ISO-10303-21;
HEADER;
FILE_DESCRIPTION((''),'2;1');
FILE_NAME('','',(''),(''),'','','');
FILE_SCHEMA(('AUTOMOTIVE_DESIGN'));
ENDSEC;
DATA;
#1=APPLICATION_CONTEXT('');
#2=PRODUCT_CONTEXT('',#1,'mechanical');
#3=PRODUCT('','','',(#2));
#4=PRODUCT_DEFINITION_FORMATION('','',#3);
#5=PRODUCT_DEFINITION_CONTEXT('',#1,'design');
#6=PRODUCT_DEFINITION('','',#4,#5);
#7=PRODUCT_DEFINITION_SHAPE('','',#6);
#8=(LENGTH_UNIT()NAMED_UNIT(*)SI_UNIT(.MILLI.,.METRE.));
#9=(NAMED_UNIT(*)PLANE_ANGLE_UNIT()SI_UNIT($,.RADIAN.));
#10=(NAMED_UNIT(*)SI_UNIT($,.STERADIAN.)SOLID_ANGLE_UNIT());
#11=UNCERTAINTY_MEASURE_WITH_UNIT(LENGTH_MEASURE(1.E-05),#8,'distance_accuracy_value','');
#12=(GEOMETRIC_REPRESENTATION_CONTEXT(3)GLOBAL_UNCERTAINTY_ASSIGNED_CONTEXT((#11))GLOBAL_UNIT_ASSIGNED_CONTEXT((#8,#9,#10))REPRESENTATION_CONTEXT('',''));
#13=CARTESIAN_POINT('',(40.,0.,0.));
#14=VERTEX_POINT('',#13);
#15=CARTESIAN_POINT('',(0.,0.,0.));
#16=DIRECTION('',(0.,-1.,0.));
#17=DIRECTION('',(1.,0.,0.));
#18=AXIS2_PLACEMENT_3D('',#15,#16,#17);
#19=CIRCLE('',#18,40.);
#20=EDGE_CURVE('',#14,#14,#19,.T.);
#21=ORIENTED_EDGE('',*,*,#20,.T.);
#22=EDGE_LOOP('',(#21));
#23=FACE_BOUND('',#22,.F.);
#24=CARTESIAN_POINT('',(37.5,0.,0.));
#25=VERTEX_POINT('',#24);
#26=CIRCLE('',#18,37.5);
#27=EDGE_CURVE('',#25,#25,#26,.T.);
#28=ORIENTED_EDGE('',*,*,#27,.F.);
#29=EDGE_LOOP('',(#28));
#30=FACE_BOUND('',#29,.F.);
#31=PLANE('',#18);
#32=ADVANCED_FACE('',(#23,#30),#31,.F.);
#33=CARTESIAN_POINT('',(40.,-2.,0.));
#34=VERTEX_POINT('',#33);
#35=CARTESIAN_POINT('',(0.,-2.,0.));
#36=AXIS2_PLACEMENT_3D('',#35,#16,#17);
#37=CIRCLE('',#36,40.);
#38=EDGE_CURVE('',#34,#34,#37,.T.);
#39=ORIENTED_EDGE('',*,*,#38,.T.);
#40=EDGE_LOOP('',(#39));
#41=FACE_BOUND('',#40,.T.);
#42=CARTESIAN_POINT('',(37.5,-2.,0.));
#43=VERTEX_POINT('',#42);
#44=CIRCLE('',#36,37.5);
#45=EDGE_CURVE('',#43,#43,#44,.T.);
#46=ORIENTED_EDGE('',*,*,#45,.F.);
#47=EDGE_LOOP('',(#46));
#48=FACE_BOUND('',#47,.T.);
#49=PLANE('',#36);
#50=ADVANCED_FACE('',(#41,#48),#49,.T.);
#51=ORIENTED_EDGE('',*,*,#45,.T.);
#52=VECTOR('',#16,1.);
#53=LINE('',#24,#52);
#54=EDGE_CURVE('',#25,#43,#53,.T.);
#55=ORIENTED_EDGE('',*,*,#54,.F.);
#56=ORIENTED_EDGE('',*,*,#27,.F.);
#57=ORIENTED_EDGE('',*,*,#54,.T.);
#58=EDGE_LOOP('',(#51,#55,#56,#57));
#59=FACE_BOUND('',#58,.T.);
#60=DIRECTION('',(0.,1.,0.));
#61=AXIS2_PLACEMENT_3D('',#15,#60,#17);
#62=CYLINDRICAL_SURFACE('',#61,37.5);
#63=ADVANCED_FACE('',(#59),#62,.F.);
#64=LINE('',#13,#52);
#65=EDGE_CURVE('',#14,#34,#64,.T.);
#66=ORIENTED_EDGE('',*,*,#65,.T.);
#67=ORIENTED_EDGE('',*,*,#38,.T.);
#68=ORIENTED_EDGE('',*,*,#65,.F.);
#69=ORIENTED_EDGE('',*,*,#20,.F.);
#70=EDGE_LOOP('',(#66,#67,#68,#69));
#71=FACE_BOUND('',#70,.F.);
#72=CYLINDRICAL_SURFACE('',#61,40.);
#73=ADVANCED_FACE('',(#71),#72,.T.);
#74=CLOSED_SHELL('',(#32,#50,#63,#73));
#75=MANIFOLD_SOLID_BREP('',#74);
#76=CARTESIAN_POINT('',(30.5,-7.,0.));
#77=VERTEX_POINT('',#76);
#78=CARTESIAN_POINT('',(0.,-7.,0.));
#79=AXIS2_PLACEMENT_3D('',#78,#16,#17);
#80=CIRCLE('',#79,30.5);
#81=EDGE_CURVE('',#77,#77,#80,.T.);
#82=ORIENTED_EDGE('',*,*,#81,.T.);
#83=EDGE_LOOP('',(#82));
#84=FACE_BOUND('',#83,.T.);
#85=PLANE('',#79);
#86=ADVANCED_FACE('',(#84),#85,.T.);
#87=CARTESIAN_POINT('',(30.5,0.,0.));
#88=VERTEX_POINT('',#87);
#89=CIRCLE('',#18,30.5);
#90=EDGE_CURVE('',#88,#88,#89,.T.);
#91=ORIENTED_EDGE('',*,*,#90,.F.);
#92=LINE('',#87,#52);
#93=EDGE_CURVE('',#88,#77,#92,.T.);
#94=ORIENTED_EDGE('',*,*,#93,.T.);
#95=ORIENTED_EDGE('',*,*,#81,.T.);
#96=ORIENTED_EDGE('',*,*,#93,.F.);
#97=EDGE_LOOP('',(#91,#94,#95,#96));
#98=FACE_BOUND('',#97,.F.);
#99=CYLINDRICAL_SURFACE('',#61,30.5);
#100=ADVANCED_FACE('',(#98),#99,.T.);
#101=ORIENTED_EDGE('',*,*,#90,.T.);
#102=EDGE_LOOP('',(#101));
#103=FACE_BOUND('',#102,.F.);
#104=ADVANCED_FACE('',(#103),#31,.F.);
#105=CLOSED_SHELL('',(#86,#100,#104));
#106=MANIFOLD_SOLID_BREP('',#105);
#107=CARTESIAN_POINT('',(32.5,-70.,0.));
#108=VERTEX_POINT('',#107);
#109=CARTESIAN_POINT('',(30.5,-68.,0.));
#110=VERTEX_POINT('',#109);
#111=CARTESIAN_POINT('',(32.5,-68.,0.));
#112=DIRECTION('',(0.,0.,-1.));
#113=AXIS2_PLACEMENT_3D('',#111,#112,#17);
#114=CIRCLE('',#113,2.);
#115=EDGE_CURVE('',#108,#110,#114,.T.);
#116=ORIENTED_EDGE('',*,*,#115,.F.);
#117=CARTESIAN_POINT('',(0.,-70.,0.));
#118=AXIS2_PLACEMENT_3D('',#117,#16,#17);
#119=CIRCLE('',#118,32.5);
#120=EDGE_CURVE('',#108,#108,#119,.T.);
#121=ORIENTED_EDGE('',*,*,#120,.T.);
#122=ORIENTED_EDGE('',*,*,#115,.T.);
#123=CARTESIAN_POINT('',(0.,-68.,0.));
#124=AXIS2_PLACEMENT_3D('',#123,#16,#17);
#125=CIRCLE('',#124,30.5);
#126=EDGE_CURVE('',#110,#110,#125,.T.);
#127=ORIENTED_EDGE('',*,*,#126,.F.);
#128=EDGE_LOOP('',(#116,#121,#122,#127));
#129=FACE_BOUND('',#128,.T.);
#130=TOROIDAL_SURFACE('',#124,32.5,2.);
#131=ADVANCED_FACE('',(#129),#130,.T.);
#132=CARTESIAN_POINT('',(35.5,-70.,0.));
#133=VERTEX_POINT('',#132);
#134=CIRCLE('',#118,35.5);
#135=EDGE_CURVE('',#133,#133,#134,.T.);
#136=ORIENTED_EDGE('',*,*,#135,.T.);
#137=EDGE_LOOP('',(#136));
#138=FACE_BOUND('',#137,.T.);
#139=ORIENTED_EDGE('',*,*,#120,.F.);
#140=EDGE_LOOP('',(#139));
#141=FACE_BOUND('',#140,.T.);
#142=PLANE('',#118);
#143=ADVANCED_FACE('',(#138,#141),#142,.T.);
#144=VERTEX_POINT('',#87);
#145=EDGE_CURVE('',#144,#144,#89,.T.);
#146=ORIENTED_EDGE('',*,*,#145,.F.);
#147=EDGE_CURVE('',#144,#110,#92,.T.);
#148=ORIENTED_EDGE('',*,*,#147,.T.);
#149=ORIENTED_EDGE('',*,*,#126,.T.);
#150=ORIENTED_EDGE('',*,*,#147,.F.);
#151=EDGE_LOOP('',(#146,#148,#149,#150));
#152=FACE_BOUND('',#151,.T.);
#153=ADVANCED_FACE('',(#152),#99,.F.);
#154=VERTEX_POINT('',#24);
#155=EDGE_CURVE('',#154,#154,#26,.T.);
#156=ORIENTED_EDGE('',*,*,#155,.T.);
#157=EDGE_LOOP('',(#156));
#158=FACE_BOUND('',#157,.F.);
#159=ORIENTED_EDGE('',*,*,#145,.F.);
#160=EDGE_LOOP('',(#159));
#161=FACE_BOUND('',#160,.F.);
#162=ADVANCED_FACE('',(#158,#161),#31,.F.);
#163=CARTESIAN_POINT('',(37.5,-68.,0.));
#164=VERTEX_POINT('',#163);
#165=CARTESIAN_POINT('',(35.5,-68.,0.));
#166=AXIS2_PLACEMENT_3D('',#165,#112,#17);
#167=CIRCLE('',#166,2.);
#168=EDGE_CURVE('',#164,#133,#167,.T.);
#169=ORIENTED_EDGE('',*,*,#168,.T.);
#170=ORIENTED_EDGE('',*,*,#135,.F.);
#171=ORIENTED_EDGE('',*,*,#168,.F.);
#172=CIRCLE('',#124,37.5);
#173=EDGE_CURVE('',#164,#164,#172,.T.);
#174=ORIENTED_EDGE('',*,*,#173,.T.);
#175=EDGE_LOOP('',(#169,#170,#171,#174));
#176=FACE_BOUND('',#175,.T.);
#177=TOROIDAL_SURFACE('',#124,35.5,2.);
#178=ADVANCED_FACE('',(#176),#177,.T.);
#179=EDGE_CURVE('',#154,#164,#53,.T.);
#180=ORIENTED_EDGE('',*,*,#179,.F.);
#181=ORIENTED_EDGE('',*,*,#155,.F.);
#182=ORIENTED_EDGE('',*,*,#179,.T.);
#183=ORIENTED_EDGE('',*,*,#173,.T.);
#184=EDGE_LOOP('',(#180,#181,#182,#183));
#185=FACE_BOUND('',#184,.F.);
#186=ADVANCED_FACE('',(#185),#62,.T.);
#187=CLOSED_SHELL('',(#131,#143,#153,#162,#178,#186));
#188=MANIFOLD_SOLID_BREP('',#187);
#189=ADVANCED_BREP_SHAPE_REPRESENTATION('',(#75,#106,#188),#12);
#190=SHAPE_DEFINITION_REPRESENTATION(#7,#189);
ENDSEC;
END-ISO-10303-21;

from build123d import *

# Parameters (mm, degrees)
F0_R     = 40
F0_R_2   = 37.5
F1_DEPTH = 2
F0_R_3   = 30.5
F2_DEPTH = 7
F3_DEPTH = 70
F4_R     = 2
F5_R     = 2


with BuildPart() as f1:
    # F0 (on Front) → F1 (new body)
    with BuildSketch(Plane.XZ):
        Circle(F0_R)
        Circle(F0_R_2, mode=Mode.SUBTRACT)
    extrude(amount=F1_DEPTH)


with BuildPart() as f2:
    # F0 (on Front) → F2 (new body)
    with BuildSketch(Plane.XZ):
        Circle(F0_R_3)
    extrude(amount=F2_DEPTH)


with BuildPart() as f3:
    # F0 (on Front) → F3 (new body)
    with BuildSketch(Plane.XZ):
        Circle(F0_R_2)
        Circle(F0_R_3, mode=Mode.SUBTRACT)
    extrude(amount=F3_DEPTH)

    # F4
    f4_edges = [f3.edges().sort_by_distance(p)[0] for p in [
        (-37.5, -70, 0),
    ]]
    fillet(f4_edges, radius=F4_R)

    # F5
    f5_edges = [f3.edges().sort_by_distance(p)[0] for p in [
        (-30.5, -70, 0),
    ]]
    fillet(f5_edges, radius=F5_R)


solid = Compound([f1.part, f2.part, f3.part])
